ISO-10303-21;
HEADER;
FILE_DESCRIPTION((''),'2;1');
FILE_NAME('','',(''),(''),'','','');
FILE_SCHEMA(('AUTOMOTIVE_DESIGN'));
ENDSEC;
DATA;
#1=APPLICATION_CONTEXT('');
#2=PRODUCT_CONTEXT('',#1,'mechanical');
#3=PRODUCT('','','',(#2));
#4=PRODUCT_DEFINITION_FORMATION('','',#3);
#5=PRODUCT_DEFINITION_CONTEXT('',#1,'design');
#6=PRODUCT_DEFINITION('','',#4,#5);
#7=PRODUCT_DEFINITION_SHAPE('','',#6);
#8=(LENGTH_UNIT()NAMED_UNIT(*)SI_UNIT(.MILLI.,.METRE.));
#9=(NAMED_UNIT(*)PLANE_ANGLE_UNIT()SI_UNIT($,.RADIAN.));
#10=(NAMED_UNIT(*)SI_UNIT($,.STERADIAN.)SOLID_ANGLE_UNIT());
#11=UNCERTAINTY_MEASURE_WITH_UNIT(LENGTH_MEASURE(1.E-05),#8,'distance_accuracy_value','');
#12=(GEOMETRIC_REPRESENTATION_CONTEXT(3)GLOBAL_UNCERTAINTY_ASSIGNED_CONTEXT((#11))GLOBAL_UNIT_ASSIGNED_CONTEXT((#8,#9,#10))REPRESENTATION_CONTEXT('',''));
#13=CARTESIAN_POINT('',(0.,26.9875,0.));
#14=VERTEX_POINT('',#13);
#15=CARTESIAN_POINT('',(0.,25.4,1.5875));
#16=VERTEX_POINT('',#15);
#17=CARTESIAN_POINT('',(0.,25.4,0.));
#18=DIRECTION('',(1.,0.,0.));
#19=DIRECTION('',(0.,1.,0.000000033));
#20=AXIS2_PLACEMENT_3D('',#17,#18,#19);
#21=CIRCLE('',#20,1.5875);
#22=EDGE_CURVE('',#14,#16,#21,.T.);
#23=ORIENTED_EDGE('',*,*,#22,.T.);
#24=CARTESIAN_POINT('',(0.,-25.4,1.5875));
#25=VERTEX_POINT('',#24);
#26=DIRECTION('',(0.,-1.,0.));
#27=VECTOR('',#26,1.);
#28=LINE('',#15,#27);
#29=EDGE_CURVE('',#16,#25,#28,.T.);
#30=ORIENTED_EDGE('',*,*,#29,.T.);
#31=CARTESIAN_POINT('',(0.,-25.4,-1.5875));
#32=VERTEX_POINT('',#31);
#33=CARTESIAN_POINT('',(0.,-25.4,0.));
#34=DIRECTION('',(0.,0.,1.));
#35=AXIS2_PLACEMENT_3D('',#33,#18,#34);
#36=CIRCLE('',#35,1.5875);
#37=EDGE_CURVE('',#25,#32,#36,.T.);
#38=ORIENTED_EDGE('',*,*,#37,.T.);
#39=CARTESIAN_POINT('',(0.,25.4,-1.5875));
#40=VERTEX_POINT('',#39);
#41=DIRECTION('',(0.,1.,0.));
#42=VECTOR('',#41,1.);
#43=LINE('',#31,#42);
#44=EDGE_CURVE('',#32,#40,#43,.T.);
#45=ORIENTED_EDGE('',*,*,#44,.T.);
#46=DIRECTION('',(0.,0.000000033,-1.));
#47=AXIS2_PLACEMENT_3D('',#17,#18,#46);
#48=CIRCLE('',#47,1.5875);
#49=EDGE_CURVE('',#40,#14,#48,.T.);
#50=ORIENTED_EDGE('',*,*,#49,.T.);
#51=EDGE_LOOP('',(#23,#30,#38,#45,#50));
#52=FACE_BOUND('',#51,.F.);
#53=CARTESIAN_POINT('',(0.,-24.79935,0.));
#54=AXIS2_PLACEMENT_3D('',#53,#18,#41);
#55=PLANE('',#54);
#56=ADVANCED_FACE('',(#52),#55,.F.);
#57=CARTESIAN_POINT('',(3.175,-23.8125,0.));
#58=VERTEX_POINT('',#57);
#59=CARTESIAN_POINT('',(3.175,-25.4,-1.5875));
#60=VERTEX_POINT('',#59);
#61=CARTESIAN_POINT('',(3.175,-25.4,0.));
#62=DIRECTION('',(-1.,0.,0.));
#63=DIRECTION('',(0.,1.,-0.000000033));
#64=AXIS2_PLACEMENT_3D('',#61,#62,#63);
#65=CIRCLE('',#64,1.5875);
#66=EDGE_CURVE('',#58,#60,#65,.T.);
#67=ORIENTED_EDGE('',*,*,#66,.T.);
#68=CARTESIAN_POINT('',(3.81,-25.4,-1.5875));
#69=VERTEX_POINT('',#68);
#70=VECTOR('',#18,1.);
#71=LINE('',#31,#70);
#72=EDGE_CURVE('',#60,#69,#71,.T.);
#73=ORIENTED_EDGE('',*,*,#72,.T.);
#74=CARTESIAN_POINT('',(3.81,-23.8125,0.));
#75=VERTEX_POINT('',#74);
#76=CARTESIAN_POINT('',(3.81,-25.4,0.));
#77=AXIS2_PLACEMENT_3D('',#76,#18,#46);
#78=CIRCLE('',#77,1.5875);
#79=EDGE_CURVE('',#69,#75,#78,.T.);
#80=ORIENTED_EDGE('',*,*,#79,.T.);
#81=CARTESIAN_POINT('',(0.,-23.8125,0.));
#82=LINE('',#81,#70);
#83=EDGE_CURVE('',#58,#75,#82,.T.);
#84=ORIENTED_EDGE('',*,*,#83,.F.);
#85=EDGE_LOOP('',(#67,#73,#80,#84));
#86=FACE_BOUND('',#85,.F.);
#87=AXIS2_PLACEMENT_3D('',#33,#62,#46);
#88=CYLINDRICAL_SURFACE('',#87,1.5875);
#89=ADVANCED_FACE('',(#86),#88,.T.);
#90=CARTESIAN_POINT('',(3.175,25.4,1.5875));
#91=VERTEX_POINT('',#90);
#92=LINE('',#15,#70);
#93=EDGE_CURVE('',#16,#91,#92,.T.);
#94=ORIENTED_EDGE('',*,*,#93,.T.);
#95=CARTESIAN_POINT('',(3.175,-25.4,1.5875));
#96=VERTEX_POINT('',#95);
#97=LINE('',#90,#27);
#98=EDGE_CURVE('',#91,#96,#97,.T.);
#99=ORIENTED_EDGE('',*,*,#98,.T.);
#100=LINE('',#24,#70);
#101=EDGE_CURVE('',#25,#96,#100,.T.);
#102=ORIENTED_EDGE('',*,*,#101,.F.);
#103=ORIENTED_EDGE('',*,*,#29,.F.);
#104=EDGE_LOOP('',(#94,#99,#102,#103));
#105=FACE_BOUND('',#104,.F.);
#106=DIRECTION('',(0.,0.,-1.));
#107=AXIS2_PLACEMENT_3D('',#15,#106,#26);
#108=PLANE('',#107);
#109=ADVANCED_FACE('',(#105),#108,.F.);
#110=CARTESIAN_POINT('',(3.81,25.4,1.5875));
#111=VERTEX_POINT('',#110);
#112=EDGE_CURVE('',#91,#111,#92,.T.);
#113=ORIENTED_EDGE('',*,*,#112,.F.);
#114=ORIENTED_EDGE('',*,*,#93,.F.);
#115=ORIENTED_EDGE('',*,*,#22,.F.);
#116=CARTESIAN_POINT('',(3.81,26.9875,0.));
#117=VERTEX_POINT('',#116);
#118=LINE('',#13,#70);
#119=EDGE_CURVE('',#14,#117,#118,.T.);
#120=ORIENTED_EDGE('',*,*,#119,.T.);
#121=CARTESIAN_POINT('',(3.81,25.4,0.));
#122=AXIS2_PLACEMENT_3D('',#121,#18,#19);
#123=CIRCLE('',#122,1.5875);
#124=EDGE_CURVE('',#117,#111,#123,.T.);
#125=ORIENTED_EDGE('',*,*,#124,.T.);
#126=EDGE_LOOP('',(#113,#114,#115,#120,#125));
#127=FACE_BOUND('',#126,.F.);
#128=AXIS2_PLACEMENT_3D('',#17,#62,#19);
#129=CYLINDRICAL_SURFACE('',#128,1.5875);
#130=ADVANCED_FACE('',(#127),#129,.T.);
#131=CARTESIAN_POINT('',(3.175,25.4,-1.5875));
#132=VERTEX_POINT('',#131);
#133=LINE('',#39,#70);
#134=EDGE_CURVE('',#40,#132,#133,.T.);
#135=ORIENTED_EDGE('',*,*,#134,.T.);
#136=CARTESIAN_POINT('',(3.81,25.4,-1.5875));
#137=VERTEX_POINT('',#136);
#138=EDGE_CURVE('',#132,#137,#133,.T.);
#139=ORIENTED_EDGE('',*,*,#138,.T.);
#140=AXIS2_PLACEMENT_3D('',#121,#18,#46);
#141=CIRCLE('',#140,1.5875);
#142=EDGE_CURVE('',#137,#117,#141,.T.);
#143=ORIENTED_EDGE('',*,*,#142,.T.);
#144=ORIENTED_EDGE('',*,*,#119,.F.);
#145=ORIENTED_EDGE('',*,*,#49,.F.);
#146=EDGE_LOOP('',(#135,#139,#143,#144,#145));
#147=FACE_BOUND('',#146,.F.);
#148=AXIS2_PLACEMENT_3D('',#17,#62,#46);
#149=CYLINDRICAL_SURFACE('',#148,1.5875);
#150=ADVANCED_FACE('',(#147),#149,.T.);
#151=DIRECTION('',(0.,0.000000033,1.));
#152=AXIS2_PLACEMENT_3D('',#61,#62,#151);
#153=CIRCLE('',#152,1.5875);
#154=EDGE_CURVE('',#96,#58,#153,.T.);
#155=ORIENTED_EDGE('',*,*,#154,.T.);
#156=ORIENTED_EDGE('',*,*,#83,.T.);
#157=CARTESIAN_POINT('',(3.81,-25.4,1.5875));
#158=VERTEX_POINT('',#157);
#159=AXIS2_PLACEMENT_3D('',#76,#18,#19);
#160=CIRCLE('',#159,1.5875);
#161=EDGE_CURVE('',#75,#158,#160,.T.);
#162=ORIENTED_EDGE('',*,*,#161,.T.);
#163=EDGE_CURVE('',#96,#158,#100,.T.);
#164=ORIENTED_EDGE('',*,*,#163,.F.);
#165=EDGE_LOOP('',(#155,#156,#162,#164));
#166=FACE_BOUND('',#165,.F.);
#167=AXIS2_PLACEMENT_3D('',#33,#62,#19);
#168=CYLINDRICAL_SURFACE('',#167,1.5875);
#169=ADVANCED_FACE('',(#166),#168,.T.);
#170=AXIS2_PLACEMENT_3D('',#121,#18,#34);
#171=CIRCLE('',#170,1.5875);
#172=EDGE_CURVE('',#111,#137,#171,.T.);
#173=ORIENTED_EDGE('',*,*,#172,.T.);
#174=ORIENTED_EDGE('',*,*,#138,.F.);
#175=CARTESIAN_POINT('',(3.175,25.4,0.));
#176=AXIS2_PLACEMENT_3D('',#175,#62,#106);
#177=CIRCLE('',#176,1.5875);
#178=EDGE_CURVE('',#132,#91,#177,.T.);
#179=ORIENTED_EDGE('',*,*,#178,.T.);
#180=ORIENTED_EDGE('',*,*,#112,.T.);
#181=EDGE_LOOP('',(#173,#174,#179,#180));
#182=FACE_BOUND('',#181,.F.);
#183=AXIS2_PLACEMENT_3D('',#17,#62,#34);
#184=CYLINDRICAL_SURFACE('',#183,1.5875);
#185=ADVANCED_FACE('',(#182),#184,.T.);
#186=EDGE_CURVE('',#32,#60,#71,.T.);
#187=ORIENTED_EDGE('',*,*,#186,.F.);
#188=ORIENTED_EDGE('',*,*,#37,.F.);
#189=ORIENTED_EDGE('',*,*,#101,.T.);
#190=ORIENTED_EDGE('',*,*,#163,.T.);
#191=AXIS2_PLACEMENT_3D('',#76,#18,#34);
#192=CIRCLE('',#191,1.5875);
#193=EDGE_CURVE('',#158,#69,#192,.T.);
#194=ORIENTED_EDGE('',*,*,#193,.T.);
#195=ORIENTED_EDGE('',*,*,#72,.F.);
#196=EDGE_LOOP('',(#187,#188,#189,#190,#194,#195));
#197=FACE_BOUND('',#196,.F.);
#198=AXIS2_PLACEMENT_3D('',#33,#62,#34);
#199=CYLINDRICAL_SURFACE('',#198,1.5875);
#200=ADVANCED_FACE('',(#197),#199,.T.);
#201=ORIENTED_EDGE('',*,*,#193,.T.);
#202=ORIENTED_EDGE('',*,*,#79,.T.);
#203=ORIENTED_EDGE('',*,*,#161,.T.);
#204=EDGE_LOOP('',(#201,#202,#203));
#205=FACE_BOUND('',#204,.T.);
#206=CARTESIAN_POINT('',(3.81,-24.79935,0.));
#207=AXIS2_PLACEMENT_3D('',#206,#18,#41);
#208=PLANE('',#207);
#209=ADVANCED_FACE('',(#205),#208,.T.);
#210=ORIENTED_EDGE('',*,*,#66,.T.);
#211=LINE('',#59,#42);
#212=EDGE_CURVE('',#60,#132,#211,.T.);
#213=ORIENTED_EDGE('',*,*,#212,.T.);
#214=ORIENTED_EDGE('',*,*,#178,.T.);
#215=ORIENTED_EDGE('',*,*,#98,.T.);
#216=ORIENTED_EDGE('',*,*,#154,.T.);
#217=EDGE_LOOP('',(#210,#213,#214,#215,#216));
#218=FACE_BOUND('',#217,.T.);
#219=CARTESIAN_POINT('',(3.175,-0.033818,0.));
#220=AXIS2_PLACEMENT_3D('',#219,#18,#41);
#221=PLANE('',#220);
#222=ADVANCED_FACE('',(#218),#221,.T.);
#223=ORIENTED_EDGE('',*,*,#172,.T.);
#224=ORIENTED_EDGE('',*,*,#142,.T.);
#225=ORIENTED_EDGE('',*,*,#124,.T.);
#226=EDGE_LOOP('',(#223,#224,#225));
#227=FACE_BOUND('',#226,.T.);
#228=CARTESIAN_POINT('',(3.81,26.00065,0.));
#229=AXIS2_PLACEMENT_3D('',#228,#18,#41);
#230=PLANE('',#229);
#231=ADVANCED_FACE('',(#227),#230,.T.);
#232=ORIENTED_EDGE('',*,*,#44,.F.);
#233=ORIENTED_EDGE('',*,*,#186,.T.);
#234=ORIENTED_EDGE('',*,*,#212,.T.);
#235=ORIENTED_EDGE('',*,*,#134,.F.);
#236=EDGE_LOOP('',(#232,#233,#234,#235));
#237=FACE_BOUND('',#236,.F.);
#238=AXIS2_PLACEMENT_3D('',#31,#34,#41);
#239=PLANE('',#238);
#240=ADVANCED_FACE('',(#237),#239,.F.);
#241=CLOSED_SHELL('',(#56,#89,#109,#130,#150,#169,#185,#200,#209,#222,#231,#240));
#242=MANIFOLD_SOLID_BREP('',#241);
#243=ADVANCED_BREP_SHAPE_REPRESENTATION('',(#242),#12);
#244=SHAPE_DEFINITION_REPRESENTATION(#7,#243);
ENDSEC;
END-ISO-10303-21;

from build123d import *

# Parameters (mm, degrees)
F1_DEPTH = 3.175
F2_DEPTH = 3.81


with BuildPart() as f1:
    # F0 (on Right) → F1 (new body)
    with BuildSketch(Plane.YZ):
        with BuildLine():
            ThreePointArc((25.4, -1.5875), (23.8125, 0), (25.4, 1.5875))
            Line((25.4, 1.5875), (-25.4, 1.5875))
            ThreePointArc((-25.4, 1.5875), (-24.277468, 1.122532), (-23.8125, 0))
            ThreePointArc((-23.8125, 0), (-24.277468, -1.122532), (-25.4, -1.5875))
            Line((-25.4, -1.5875), (25.4, -1.5875))
        make_face()
    extrude(amount=F1_DEPTH)

    # F0 (on Right) → F2 (join)
    with BuildSketch(Plane.YZ):
        with BuildLine():
            ThreePointArc((-23.8125, 0), (-24.277468, 1.122532), (-25.4, 1.5875))
            Line((-25.4, 1.5875), (-25.4, -1.5875))
            ThreePointArc((-25.4, -1.5875), (-24.277468, -1.122532), (-23.8125, 0))
        make_face()
        with BuildLine():
            Line((-25.4, -1.5875), (-25.4, 1.5875))
            ThreePointArc((-25.4, 1.5875), (-26.9875, 0), (-25.4, -1.5875))
        make_face()
        with BuildLine():
            ThreePointArc((26.9875, 0), (26.522532, 1.122532), (25.4, 1.5875))
            Line((25.4, 1.5875), (25.4, -1.5875))
            ThreePointArc((25.4, -1.5875), (26.522532, -1.122532), (26.9875, 0))
        make_face()
        with BuildLine():
            Line((25.4, -1.5875), (25.4, 1.5875))
            ThreePointArc((25.4, 1.5875), (23.8125, 0), (25.4, -1.5875))
        make_face()
    extrude(amount=F2_DEPTH)


solid = f1.part
